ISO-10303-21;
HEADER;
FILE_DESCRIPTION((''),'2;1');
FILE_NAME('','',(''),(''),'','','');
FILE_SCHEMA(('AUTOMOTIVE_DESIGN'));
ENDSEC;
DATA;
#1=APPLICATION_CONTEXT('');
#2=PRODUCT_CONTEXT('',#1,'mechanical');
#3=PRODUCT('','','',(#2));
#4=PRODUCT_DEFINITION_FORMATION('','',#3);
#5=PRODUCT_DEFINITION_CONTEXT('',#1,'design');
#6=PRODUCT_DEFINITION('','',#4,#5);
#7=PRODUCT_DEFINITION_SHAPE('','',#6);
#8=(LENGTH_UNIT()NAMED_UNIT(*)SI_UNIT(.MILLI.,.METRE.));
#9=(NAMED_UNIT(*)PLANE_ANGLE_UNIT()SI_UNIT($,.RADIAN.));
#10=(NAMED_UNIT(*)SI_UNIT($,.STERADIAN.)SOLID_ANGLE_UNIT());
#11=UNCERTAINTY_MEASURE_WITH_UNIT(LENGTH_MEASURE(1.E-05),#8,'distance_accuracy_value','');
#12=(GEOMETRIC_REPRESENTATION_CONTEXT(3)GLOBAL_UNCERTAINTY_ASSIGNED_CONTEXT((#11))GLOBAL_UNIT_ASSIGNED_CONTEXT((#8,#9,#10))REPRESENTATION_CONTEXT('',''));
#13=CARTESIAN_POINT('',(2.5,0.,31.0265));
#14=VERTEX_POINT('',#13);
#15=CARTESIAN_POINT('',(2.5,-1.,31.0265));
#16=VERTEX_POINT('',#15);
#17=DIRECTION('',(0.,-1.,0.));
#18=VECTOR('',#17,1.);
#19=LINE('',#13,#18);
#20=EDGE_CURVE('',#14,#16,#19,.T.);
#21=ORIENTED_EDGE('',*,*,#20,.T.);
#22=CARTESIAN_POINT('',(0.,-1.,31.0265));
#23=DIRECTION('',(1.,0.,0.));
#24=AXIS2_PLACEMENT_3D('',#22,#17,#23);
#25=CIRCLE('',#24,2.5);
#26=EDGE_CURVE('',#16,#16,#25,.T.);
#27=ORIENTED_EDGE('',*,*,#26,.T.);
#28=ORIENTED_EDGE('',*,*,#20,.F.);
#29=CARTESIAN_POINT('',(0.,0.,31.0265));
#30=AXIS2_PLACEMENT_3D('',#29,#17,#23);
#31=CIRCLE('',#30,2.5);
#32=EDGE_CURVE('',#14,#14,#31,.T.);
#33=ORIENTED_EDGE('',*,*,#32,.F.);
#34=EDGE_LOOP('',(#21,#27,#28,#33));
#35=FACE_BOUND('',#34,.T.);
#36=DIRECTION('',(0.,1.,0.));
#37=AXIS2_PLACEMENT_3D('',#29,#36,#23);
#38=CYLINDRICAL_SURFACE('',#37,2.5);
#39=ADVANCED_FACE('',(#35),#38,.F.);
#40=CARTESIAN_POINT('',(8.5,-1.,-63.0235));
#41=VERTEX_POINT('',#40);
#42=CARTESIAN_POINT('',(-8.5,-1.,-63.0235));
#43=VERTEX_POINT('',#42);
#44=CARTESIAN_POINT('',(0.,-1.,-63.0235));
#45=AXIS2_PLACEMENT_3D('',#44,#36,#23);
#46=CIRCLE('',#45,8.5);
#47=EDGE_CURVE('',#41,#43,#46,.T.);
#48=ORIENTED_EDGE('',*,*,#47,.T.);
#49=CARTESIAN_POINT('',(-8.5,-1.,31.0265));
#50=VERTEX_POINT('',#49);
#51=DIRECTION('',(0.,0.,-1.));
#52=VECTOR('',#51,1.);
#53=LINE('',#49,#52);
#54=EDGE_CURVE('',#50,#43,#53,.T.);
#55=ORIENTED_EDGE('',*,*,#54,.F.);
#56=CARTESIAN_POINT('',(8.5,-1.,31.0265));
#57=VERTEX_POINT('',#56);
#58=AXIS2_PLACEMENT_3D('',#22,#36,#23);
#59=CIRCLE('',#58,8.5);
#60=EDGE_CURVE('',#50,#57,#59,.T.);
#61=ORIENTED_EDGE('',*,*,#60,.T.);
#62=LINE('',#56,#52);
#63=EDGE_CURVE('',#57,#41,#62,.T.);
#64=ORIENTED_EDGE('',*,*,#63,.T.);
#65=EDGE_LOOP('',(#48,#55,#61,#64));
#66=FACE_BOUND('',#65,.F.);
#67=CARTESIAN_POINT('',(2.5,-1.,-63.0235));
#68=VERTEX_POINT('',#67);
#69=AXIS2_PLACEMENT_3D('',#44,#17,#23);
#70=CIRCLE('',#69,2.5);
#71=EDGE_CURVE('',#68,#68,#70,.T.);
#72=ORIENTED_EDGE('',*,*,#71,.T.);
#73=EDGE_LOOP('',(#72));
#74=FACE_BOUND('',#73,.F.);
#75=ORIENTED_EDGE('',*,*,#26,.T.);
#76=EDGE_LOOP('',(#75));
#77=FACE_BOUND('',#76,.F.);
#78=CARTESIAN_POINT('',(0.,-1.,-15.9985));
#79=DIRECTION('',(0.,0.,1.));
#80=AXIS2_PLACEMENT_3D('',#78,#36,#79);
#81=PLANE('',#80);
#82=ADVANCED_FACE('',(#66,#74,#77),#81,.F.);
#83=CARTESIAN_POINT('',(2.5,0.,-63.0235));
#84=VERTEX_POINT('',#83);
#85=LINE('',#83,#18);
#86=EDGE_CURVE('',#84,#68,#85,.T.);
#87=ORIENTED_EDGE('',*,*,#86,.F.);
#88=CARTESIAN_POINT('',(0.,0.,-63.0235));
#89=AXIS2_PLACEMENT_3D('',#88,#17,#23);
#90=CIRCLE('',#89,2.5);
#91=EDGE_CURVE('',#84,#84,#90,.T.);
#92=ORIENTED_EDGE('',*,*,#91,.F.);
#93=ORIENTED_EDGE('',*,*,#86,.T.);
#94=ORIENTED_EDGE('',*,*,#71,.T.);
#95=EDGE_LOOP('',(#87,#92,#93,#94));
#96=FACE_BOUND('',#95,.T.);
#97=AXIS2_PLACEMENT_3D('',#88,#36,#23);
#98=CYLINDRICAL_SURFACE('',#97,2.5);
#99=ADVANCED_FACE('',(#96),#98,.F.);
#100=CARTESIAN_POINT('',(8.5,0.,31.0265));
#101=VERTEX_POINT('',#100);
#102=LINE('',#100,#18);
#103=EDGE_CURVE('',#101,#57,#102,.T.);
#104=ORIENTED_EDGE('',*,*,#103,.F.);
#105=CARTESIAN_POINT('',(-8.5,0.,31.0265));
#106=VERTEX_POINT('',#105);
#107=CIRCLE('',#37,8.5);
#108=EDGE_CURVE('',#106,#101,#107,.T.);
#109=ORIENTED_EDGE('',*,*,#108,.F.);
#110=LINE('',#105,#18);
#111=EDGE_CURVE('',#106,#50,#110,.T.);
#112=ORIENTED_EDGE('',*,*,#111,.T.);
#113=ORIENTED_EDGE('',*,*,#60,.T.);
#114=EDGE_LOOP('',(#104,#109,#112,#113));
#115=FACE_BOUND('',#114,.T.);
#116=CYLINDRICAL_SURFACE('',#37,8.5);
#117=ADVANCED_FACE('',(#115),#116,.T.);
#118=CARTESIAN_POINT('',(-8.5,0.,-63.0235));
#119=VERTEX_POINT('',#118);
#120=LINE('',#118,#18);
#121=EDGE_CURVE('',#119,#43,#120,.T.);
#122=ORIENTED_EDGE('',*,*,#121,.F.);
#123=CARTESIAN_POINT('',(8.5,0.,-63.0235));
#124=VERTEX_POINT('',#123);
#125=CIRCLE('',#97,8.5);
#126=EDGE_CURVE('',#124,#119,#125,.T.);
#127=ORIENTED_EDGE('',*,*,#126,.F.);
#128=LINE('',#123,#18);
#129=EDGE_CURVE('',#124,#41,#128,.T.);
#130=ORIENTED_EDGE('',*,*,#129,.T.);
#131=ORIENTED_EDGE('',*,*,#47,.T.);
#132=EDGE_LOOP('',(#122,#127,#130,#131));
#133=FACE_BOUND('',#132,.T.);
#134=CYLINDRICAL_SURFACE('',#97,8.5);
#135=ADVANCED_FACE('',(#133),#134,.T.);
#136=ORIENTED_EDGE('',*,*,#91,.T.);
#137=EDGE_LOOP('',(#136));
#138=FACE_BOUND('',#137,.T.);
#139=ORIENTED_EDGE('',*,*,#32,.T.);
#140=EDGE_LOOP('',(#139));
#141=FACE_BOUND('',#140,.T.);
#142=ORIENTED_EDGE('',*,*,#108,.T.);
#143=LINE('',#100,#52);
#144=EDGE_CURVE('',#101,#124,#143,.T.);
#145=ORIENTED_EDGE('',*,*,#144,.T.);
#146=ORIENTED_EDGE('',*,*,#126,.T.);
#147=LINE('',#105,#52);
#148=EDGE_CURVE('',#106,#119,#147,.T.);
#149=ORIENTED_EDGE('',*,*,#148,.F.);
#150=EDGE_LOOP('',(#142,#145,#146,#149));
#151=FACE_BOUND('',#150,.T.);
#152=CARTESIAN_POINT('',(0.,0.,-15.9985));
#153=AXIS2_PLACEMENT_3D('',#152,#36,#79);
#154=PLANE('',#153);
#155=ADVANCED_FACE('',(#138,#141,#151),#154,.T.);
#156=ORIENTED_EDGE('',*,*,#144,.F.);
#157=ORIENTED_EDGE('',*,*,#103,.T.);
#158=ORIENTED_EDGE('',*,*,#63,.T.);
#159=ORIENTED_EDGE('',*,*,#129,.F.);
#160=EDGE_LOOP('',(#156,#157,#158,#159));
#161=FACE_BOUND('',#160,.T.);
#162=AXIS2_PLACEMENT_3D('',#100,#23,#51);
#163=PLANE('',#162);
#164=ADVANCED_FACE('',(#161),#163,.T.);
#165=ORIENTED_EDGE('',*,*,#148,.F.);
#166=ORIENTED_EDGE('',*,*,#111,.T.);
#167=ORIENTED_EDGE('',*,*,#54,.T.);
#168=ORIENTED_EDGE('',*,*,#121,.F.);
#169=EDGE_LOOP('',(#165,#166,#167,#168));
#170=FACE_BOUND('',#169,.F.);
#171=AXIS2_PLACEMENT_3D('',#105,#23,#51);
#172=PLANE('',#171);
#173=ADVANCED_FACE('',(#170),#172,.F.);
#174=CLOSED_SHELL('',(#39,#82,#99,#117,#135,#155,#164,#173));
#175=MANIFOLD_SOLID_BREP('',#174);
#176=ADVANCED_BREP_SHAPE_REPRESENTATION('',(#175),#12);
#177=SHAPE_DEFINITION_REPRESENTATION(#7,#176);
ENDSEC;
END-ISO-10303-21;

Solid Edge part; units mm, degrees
sketch "Sketch1" plane through (0, 0, 0) normal (0, -1, 0) x (1, 0, 0)
  circle A0 centre (0, 31.0265) radius 2.5
  line L0 (8.5, 31.0265) -> (8.5, -63.0235)
  line L1 (-8.5, 31.0265) -> (-8.5, -63.0235)
  arc A1 (-8.5, 31.0265) -> (8.5, 31.0265) centre (0, 31.0265) cw
  arc A2 (8.5, -63.0235) -> (-8.5, -63.0235) centre (0, -63.0235) cw
  circle A3 centre (0, -63.0235) radius 2.5
extrude "Protrusion1" add sketch "Sketch1" along normal blind 1
